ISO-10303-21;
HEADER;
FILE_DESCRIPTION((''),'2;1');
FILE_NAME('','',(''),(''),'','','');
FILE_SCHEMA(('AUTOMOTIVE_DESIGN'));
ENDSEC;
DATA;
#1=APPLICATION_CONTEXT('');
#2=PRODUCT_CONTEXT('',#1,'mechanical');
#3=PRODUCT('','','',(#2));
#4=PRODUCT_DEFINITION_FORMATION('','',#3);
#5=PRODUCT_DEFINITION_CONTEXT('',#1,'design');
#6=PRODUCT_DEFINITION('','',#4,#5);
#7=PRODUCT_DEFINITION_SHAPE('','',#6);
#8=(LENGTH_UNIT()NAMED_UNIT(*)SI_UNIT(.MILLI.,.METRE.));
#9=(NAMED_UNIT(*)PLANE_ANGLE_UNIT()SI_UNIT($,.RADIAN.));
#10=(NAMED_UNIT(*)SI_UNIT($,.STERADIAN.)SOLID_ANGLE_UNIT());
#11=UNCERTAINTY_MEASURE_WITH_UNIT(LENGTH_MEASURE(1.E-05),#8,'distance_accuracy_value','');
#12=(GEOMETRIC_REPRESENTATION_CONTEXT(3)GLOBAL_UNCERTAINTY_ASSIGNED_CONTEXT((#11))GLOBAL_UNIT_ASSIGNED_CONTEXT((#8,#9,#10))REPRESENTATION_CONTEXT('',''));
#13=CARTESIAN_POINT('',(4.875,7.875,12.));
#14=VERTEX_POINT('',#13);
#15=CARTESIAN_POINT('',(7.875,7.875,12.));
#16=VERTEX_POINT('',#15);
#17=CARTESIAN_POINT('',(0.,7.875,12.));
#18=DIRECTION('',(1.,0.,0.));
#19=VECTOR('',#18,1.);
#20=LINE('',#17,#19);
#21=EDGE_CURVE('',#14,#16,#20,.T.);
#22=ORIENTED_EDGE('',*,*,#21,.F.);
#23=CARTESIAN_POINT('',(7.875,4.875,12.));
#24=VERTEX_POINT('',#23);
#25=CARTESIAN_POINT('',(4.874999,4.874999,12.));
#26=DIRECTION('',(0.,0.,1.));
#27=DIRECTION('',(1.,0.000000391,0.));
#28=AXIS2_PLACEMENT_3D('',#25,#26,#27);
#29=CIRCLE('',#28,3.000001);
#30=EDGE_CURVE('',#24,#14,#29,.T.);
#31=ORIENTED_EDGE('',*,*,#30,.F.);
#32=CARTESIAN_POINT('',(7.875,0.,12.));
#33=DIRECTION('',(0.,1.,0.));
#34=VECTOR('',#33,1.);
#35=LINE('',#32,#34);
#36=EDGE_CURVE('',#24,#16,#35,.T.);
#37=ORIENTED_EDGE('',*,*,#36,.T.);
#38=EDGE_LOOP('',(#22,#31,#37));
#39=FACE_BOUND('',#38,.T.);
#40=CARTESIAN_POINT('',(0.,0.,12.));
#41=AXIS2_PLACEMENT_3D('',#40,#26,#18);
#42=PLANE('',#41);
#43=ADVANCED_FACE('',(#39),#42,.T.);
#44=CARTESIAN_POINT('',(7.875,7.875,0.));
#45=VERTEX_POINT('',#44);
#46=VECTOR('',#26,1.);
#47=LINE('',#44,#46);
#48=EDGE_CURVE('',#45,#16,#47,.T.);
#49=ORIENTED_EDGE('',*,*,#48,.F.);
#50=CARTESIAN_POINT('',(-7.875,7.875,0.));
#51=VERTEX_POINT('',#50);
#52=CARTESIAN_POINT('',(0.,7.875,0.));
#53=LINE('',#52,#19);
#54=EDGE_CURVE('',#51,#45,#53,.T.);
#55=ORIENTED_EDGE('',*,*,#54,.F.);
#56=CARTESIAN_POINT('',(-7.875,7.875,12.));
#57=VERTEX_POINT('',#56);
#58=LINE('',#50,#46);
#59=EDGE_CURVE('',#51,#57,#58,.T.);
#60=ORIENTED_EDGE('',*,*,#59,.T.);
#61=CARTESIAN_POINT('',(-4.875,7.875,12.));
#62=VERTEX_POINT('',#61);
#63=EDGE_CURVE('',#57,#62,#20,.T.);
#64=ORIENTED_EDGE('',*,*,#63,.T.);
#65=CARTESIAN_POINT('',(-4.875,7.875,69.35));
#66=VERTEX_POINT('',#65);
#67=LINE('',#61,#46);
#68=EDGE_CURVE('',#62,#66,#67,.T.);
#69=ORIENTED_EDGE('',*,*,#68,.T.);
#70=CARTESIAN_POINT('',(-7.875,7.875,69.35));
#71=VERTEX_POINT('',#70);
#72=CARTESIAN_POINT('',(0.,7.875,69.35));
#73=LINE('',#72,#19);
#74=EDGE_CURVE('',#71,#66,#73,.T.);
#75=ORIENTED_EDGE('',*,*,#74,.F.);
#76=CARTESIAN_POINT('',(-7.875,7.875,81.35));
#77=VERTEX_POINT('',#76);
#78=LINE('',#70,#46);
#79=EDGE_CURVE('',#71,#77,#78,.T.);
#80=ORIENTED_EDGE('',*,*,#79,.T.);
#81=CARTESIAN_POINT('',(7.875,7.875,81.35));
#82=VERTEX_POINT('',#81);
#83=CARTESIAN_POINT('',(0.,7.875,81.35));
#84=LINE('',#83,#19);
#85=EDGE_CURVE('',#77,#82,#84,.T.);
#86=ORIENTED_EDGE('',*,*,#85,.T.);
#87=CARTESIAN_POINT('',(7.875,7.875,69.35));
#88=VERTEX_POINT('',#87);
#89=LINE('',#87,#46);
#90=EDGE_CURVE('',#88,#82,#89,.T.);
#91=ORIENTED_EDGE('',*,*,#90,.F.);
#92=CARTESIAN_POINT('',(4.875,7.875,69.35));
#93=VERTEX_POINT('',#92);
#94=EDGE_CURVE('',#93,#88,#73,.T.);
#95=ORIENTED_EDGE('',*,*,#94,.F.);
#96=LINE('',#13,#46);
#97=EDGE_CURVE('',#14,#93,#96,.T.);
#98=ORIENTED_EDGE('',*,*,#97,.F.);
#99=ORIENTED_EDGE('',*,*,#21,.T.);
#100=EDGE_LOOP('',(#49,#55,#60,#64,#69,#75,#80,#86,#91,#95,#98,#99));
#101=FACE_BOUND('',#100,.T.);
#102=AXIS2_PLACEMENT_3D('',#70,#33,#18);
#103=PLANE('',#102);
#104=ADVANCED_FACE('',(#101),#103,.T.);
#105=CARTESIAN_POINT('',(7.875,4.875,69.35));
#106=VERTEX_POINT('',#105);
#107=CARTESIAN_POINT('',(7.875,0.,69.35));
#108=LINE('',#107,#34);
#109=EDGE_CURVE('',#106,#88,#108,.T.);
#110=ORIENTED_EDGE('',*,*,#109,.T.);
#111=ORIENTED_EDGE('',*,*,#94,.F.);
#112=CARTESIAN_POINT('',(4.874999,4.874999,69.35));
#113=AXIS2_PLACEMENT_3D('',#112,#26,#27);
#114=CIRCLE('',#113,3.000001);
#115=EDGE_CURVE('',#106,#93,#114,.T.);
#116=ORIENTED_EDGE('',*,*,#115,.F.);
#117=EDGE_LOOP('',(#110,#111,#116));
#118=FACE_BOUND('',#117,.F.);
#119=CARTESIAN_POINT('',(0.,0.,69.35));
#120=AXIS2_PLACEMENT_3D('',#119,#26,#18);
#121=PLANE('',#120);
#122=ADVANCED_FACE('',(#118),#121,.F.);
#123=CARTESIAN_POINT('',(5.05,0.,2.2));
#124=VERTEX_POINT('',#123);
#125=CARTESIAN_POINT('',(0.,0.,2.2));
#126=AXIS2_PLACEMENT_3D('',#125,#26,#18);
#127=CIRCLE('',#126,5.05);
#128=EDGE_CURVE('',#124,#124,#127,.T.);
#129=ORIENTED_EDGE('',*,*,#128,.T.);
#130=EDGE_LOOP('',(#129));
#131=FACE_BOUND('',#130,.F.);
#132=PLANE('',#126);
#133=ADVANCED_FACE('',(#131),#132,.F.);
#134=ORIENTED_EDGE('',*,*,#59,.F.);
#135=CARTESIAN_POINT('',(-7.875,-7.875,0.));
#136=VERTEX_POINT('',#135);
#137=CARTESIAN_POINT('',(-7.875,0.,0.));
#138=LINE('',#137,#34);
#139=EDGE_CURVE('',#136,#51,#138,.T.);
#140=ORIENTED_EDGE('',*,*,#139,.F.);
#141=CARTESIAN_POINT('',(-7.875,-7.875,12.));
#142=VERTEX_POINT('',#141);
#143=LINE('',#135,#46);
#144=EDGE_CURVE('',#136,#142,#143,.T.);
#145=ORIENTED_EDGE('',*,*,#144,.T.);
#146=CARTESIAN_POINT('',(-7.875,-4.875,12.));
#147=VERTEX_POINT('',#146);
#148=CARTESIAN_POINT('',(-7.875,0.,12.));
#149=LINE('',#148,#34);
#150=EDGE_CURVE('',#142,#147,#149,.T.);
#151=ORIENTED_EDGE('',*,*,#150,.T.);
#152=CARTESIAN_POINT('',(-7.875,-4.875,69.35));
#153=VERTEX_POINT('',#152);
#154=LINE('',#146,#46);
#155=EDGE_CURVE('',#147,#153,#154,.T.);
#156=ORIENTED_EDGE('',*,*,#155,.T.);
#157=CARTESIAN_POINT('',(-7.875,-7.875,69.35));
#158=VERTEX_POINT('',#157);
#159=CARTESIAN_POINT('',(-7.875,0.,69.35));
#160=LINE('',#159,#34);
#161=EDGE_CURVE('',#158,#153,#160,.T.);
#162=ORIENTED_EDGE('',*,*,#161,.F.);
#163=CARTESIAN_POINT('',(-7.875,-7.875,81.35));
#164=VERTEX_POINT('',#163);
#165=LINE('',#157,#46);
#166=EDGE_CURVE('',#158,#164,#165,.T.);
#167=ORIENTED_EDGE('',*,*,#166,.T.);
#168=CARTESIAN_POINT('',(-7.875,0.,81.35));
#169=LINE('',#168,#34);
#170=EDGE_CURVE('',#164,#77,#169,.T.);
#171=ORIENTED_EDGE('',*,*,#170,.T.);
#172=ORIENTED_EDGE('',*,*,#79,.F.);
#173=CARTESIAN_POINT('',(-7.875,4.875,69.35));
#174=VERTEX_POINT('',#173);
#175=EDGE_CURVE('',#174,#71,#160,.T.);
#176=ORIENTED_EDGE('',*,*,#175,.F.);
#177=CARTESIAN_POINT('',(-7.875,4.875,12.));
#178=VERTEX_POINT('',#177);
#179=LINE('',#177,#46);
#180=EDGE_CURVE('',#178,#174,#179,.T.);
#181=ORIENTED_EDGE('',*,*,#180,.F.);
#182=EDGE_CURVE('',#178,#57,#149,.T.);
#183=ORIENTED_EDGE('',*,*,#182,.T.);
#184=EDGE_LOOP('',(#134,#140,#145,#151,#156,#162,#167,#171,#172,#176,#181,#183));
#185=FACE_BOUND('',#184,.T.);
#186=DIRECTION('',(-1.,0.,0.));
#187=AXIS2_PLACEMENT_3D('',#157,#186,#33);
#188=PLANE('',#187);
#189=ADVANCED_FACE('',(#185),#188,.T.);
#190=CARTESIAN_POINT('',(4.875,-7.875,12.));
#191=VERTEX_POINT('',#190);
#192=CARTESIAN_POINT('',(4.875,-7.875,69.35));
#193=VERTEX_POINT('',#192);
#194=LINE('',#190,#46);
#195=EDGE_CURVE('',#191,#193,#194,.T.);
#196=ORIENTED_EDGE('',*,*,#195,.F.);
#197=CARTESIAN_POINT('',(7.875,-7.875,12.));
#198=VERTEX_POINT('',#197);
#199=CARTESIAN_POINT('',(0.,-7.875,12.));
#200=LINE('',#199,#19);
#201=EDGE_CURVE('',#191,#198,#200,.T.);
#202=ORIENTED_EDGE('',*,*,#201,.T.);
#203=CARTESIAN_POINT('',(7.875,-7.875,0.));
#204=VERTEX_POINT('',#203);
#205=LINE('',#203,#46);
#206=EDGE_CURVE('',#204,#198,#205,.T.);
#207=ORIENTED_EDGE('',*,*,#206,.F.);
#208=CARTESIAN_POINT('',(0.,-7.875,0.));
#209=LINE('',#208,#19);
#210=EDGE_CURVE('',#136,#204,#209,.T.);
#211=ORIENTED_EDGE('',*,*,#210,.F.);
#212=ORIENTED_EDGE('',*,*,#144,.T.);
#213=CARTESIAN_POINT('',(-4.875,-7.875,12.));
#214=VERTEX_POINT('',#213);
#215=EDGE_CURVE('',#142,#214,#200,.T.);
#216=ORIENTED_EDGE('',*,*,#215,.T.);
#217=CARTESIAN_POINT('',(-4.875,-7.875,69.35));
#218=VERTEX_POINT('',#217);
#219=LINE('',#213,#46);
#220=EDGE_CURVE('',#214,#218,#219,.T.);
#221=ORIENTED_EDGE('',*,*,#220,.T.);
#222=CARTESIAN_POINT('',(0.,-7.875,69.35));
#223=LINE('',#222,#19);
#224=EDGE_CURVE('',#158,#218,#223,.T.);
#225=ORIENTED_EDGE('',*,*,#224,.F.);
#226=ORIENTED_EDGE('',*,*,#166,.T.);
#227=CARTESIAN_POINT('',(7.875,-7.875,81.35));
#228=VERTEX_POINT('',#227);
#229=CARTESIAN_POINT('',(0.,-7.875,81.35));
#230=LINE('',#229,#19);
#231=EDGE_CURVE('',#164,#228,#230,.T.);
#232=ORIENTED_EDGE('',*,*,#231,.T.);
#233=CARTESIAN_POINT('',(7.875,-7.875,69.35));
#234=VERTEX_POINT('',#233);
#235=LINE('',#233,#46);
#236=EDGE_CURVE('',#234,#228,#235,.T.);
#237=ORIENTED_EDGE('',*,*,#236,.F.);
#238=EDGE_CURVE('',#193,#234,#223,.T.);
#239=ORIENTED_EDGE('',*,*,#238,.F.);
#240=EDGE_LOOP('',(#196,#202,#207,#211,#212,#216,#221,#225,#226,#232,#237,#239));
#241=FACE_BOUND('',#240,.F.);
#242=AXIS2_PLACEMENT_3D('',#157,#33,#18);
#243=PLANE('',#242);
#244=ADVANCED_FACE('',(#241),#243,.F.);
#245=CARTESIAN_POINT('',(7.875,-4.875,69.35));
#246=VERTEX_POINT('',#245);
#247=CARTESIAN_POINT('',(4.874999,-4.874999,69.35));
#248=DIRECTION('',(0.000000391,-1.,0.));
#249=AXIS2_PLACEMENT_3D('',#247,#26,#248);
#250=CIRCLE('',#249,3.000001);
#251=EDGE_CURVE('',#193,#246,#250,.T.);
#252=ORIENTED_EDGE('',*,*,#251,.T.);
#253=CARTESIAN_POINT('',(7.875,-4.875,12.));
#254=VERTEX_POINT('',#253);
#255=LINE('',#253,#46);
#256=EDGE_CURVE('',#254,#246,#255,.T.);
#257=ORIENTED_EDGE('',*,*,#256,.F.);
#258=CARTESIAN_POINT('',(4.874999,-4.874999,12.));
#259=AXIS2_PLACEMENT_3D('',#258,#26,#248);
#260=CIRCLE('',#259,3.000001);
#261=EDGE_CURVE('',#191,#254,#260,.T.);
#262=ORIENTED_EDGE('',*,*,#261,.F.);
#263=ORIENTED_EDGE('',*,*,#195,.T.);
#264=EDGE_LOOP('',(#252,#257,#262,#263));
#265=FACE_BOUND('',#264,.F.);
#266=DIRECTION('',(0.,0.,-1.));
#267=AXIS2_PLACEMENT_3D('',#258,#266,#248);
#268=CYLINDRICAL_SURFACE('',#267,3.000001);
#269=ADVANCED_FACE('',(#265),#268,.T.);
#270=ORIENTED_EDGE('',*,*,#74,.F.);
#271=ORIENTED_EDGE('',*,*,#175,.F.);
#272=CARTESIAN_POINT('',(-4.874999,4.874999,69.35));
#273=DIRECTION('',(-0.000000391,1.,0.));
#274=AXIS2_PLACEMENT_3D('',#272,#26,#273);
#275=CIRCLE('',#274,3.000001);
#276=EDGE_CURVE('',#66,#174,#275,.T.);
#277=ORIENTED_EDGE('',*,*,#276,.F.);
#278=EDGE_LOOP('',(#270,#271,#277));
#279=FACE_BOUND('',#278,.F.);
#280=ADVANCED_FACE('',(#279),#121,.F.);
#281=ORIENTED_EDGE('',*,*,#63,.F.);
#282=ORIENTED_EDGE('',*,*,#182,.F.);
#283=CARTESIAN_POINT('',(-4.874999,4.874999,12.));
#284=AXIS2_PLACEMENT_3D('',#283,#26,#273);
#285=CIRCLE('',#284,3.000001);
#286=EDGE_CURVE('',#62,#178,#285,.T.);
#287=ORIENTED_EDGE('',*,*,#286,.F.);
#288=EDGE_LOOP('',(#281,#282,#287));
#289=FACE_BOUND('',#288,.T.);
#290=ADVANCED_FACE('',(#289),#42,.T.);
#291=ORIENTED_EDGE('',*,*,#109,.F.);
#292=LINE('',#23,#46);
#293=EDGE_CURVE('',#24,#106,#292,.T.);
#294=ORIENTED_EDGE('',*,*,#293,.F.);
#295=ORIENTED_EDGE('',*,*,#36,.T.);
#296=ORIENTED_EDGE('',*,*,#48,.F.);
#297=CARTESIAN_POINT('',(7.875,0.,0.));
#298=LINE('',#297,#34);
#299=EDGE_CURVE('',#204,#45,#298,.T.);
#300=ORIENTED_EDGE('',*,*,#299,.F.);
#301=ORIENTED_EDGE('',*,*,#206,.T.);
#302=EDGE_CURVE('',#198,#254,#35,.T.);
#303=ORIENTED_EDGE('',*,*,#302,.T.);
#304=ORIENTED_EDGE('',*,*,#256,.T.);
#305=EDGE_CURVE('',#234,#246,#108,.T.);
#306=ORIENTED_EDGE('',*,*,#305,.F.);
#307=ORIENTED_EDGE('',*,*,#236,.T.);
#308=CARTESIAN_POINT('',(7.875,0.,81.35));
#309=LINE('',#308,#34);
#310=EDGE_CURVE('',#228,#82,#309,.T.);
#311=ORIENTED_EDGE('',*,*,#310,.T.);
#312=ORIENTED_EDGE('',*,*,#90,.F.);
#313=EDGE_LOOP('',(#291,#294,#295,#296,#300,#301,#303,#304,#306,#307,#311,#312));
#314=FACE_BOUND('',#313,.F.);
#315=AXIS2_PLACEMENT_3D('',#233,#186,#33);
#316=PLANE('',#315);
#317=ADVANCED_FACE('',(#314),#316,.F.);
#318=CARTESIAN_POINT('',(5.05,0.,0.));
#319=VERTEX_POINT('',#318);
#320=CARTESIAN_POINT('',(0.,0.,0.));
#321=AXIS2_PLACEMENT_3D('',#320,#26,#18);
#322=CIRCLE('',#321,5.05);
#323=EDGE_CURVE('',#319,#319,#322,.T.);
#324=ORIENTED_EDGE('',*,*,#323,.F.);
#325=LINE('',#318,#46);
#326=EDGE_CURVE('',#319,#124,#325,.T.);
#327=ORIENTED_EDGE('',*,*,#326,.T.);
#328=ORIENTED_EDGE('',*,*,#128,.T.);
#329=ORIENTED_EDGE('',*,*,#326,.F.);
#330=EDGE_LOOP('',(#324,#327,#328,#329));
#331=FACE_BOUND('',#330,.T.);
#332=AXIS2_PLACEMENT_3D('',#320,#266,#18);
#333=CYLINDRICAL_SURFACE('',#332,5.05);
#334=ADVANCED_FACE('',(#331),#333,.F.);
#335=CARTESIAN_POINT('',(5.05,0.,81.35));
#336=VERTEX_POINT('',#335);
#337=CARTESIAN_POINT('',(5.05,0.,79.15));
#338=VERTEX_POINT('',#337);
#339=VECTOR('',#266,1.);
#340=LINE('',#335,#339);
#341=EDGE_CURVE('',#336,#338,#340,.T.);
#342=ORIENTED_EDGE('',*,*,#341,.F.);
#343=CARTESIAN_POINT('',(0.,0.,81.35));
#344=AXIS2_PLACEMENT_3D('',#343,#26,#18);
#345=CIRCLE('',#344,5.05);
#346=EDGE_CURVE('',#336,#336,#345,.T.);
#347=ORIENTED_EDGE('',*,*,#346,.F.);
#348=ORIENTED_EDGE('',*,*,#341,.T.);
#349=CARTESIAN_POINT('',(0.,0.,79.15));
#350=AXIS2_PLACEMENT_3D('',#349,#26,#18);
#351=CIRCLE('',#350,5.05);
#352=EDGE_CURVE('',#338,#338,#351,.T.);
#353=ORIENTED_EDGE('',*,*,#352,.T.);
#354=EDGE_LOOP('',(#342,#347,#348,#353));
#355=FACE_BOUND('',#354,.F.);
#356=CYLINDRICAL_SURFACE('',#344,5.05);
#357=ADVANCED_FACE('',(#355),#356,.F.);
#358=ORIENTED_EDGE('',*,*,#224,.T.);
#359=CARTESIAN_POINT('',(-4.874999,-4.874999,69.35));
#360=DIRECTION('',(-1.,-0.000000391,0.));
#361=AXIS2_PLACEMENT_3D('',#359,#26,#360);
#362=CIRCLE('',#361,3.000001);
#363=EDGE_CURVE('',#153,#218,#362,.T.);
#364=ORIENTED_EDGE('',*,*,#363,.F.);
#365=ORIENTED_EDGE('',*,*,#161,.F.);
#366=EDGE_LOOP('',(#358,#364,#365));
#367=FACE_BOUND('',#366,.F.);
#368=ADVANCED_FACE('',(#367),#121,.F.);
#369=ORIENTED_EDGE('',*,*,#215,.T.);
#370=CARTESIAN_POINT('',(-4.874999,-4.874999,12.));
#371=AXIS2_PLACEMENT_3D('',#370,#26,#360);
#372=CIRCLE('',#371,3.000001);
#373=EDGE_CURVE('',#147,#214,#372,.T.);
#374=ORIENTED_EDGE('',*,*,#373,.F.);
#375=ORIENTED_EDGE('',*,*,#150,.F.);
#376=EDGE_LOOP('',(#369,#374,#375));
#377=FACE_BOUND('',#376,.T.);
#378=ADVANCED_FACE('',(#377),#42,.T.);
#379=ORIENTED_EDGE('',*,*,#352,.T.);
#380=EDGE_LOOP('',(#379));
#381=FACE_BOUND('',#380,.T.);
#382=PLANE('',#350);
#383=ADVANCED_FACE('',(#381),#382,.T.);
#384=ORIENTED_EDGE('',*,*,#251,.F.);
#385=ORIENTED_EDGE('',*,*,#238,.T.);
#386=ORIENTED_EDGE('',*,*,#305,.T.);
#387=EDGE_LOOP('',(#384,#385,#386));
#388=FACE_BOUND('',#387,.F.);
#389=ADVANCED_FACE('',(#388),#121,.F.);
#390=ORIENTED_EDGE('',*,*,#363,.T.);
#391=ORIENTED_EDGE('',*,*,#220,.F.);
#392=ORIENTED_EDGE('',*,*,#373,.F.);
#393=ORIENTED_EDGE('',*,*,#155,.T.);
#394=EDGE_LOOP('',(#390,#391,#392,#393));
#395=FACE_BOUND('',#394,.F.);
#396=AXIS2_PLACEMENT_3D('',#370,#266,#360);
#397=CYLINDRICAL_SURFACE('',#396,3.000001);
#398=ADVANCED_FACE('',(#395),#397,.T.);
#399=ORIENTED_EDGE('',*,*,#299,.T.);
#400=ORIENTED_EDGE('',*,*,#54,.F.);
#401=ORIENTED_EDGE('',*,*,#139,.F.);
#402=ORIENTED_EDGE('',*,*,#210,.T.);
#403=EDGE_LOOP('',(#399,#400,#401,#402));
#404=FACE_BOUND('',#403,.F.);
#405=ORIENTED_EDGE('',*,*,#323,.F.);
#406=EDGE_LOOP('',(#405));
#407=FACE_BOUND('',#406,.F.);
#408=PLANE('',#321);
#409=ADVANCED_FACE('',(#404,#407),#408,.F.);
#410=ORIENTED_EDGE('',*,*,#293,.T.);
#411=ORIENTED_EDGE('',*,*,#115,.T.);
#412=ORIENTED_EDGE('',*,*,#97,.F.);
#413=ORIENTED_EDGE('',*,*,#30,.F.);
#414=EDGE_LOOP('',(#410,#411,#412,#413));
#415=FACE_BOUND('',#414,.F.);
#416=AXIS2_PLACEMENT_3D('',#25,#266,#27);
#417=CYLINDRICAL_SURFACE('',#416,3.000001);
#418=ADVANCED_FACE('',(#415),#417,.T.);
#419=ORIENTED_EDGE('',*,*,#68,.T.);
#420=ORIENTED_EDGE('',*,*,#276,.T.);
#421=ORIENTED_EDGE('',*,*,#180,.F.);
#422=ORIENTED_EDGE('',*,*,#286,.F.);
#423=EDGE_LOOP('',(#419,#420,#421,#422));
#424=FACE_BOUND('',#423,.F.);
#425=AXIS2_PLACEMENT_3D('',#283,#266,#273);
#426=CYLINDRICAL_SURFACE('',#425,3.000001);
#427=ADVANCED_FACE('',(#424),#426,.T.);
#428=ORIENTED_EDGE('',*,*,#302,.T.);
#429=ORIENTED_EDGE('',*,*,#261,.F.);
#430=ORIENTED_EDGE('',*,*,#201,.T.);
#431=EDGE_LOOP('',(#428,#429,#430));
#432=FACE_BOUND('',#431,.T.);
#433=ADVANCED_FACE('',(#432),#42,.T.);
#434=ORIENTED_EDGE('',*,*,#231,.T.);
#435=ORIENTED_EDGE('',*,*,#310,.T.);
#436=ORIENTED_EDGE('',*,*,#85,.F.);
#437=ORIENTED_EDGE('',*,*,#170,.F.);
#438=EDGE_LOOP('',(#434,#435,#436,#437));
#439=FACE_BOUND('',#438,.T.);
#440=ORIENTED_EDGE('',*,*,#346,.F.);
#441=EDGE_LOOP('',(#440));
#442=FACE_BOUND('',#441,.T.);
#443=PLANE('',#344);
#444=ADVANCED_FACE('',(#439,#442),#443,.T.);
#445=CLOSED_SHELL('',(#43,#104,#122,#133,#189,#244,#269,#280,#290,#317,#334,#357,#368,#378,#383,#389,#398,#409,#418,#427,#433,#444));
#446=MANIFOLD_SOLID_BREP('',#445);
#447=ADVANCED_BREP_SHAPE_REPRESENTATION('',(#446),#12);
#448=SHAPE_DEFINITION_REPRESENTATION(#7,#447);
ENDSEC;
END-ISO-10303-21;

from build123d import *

# Parameters (mm, degrees)
SKETCH_W        = 15.75
SKETCH_H        = 15.75
PAD_DEPTH       = 12
PAD001_DEPTH    = 57.35
SKETCH002_W     = 15.75
SKETCH002_H     = 15.75
PAD002_DEPTH    = 12
SKETCH003_R     = 5.05
POCKET_DEPTH    = 2.2
SKETCH004_R     = 5.05
POCKET001_DEPTH = 2.2


with BuildPart() as part:
    # Sketch → Pad (new body)
    with BuildSketch(Plane.XY):
        Rectangle(SKETCH_W, SKETCH_H)
    extrude(amount=PAD_DEPTH)

    # Sketch001 → Pad001 (join)
    with BuildSketch(Plane.XY.offset(12)):
        with BuildLine():
            Line((-4.875, -7.875), (4.875, -7.875))
            ThreePointArc((4.875, -7.875), (6.99632, -6.99632), (7.875, -4.875))
            Line((7.875, -4.875), (7.875, 4.875))
            ThreePointArc((7.875, 4.875), (6.99632, 6.99632), (4.875, 7.875))
            Line((4.875, 7.875), (-4.875, 7.875))
            ThreePointArc((-4.875, 7.875), (-6.99632, 6.99632), (-7.875, 4.875))
            Line((-7.875, 4.875), (-7.875, -4.875))
            ThreePointArc((-7.875, -4.875), (-6.99632, -6.99632), (-4.875, -7.875))
        make_face()
    extrude(amount=PAD001_DEPTH)

    # Sketch002 (on Face15 of Pad001) → Pad002 (join)
    with BuildSketch(Plane.XY.offset(69.35)):
        Rectangle(SKETCH002_W, SKETCH002_H)
    extrude(amount=PAD002_DEPTH)

    # Sketch003 (on Face7 of Pad002) → Pocket (cut)
    with BuildSketch(Plane.XY.offset(81.35)):
        Circle(SKETCH003_R)
    extrude(amount=-POCKET_DEPTH, mode=Mode.SUBTRACT)

    # Sketch004 → Pocket001 (cut)
    with BuildSketch(Plane.XY):
        Circle(SKETCH004_R)
    extrude(amount=POCKET001_DEPTH, mode=Mode.SUBTRACT)


solid = part.part
